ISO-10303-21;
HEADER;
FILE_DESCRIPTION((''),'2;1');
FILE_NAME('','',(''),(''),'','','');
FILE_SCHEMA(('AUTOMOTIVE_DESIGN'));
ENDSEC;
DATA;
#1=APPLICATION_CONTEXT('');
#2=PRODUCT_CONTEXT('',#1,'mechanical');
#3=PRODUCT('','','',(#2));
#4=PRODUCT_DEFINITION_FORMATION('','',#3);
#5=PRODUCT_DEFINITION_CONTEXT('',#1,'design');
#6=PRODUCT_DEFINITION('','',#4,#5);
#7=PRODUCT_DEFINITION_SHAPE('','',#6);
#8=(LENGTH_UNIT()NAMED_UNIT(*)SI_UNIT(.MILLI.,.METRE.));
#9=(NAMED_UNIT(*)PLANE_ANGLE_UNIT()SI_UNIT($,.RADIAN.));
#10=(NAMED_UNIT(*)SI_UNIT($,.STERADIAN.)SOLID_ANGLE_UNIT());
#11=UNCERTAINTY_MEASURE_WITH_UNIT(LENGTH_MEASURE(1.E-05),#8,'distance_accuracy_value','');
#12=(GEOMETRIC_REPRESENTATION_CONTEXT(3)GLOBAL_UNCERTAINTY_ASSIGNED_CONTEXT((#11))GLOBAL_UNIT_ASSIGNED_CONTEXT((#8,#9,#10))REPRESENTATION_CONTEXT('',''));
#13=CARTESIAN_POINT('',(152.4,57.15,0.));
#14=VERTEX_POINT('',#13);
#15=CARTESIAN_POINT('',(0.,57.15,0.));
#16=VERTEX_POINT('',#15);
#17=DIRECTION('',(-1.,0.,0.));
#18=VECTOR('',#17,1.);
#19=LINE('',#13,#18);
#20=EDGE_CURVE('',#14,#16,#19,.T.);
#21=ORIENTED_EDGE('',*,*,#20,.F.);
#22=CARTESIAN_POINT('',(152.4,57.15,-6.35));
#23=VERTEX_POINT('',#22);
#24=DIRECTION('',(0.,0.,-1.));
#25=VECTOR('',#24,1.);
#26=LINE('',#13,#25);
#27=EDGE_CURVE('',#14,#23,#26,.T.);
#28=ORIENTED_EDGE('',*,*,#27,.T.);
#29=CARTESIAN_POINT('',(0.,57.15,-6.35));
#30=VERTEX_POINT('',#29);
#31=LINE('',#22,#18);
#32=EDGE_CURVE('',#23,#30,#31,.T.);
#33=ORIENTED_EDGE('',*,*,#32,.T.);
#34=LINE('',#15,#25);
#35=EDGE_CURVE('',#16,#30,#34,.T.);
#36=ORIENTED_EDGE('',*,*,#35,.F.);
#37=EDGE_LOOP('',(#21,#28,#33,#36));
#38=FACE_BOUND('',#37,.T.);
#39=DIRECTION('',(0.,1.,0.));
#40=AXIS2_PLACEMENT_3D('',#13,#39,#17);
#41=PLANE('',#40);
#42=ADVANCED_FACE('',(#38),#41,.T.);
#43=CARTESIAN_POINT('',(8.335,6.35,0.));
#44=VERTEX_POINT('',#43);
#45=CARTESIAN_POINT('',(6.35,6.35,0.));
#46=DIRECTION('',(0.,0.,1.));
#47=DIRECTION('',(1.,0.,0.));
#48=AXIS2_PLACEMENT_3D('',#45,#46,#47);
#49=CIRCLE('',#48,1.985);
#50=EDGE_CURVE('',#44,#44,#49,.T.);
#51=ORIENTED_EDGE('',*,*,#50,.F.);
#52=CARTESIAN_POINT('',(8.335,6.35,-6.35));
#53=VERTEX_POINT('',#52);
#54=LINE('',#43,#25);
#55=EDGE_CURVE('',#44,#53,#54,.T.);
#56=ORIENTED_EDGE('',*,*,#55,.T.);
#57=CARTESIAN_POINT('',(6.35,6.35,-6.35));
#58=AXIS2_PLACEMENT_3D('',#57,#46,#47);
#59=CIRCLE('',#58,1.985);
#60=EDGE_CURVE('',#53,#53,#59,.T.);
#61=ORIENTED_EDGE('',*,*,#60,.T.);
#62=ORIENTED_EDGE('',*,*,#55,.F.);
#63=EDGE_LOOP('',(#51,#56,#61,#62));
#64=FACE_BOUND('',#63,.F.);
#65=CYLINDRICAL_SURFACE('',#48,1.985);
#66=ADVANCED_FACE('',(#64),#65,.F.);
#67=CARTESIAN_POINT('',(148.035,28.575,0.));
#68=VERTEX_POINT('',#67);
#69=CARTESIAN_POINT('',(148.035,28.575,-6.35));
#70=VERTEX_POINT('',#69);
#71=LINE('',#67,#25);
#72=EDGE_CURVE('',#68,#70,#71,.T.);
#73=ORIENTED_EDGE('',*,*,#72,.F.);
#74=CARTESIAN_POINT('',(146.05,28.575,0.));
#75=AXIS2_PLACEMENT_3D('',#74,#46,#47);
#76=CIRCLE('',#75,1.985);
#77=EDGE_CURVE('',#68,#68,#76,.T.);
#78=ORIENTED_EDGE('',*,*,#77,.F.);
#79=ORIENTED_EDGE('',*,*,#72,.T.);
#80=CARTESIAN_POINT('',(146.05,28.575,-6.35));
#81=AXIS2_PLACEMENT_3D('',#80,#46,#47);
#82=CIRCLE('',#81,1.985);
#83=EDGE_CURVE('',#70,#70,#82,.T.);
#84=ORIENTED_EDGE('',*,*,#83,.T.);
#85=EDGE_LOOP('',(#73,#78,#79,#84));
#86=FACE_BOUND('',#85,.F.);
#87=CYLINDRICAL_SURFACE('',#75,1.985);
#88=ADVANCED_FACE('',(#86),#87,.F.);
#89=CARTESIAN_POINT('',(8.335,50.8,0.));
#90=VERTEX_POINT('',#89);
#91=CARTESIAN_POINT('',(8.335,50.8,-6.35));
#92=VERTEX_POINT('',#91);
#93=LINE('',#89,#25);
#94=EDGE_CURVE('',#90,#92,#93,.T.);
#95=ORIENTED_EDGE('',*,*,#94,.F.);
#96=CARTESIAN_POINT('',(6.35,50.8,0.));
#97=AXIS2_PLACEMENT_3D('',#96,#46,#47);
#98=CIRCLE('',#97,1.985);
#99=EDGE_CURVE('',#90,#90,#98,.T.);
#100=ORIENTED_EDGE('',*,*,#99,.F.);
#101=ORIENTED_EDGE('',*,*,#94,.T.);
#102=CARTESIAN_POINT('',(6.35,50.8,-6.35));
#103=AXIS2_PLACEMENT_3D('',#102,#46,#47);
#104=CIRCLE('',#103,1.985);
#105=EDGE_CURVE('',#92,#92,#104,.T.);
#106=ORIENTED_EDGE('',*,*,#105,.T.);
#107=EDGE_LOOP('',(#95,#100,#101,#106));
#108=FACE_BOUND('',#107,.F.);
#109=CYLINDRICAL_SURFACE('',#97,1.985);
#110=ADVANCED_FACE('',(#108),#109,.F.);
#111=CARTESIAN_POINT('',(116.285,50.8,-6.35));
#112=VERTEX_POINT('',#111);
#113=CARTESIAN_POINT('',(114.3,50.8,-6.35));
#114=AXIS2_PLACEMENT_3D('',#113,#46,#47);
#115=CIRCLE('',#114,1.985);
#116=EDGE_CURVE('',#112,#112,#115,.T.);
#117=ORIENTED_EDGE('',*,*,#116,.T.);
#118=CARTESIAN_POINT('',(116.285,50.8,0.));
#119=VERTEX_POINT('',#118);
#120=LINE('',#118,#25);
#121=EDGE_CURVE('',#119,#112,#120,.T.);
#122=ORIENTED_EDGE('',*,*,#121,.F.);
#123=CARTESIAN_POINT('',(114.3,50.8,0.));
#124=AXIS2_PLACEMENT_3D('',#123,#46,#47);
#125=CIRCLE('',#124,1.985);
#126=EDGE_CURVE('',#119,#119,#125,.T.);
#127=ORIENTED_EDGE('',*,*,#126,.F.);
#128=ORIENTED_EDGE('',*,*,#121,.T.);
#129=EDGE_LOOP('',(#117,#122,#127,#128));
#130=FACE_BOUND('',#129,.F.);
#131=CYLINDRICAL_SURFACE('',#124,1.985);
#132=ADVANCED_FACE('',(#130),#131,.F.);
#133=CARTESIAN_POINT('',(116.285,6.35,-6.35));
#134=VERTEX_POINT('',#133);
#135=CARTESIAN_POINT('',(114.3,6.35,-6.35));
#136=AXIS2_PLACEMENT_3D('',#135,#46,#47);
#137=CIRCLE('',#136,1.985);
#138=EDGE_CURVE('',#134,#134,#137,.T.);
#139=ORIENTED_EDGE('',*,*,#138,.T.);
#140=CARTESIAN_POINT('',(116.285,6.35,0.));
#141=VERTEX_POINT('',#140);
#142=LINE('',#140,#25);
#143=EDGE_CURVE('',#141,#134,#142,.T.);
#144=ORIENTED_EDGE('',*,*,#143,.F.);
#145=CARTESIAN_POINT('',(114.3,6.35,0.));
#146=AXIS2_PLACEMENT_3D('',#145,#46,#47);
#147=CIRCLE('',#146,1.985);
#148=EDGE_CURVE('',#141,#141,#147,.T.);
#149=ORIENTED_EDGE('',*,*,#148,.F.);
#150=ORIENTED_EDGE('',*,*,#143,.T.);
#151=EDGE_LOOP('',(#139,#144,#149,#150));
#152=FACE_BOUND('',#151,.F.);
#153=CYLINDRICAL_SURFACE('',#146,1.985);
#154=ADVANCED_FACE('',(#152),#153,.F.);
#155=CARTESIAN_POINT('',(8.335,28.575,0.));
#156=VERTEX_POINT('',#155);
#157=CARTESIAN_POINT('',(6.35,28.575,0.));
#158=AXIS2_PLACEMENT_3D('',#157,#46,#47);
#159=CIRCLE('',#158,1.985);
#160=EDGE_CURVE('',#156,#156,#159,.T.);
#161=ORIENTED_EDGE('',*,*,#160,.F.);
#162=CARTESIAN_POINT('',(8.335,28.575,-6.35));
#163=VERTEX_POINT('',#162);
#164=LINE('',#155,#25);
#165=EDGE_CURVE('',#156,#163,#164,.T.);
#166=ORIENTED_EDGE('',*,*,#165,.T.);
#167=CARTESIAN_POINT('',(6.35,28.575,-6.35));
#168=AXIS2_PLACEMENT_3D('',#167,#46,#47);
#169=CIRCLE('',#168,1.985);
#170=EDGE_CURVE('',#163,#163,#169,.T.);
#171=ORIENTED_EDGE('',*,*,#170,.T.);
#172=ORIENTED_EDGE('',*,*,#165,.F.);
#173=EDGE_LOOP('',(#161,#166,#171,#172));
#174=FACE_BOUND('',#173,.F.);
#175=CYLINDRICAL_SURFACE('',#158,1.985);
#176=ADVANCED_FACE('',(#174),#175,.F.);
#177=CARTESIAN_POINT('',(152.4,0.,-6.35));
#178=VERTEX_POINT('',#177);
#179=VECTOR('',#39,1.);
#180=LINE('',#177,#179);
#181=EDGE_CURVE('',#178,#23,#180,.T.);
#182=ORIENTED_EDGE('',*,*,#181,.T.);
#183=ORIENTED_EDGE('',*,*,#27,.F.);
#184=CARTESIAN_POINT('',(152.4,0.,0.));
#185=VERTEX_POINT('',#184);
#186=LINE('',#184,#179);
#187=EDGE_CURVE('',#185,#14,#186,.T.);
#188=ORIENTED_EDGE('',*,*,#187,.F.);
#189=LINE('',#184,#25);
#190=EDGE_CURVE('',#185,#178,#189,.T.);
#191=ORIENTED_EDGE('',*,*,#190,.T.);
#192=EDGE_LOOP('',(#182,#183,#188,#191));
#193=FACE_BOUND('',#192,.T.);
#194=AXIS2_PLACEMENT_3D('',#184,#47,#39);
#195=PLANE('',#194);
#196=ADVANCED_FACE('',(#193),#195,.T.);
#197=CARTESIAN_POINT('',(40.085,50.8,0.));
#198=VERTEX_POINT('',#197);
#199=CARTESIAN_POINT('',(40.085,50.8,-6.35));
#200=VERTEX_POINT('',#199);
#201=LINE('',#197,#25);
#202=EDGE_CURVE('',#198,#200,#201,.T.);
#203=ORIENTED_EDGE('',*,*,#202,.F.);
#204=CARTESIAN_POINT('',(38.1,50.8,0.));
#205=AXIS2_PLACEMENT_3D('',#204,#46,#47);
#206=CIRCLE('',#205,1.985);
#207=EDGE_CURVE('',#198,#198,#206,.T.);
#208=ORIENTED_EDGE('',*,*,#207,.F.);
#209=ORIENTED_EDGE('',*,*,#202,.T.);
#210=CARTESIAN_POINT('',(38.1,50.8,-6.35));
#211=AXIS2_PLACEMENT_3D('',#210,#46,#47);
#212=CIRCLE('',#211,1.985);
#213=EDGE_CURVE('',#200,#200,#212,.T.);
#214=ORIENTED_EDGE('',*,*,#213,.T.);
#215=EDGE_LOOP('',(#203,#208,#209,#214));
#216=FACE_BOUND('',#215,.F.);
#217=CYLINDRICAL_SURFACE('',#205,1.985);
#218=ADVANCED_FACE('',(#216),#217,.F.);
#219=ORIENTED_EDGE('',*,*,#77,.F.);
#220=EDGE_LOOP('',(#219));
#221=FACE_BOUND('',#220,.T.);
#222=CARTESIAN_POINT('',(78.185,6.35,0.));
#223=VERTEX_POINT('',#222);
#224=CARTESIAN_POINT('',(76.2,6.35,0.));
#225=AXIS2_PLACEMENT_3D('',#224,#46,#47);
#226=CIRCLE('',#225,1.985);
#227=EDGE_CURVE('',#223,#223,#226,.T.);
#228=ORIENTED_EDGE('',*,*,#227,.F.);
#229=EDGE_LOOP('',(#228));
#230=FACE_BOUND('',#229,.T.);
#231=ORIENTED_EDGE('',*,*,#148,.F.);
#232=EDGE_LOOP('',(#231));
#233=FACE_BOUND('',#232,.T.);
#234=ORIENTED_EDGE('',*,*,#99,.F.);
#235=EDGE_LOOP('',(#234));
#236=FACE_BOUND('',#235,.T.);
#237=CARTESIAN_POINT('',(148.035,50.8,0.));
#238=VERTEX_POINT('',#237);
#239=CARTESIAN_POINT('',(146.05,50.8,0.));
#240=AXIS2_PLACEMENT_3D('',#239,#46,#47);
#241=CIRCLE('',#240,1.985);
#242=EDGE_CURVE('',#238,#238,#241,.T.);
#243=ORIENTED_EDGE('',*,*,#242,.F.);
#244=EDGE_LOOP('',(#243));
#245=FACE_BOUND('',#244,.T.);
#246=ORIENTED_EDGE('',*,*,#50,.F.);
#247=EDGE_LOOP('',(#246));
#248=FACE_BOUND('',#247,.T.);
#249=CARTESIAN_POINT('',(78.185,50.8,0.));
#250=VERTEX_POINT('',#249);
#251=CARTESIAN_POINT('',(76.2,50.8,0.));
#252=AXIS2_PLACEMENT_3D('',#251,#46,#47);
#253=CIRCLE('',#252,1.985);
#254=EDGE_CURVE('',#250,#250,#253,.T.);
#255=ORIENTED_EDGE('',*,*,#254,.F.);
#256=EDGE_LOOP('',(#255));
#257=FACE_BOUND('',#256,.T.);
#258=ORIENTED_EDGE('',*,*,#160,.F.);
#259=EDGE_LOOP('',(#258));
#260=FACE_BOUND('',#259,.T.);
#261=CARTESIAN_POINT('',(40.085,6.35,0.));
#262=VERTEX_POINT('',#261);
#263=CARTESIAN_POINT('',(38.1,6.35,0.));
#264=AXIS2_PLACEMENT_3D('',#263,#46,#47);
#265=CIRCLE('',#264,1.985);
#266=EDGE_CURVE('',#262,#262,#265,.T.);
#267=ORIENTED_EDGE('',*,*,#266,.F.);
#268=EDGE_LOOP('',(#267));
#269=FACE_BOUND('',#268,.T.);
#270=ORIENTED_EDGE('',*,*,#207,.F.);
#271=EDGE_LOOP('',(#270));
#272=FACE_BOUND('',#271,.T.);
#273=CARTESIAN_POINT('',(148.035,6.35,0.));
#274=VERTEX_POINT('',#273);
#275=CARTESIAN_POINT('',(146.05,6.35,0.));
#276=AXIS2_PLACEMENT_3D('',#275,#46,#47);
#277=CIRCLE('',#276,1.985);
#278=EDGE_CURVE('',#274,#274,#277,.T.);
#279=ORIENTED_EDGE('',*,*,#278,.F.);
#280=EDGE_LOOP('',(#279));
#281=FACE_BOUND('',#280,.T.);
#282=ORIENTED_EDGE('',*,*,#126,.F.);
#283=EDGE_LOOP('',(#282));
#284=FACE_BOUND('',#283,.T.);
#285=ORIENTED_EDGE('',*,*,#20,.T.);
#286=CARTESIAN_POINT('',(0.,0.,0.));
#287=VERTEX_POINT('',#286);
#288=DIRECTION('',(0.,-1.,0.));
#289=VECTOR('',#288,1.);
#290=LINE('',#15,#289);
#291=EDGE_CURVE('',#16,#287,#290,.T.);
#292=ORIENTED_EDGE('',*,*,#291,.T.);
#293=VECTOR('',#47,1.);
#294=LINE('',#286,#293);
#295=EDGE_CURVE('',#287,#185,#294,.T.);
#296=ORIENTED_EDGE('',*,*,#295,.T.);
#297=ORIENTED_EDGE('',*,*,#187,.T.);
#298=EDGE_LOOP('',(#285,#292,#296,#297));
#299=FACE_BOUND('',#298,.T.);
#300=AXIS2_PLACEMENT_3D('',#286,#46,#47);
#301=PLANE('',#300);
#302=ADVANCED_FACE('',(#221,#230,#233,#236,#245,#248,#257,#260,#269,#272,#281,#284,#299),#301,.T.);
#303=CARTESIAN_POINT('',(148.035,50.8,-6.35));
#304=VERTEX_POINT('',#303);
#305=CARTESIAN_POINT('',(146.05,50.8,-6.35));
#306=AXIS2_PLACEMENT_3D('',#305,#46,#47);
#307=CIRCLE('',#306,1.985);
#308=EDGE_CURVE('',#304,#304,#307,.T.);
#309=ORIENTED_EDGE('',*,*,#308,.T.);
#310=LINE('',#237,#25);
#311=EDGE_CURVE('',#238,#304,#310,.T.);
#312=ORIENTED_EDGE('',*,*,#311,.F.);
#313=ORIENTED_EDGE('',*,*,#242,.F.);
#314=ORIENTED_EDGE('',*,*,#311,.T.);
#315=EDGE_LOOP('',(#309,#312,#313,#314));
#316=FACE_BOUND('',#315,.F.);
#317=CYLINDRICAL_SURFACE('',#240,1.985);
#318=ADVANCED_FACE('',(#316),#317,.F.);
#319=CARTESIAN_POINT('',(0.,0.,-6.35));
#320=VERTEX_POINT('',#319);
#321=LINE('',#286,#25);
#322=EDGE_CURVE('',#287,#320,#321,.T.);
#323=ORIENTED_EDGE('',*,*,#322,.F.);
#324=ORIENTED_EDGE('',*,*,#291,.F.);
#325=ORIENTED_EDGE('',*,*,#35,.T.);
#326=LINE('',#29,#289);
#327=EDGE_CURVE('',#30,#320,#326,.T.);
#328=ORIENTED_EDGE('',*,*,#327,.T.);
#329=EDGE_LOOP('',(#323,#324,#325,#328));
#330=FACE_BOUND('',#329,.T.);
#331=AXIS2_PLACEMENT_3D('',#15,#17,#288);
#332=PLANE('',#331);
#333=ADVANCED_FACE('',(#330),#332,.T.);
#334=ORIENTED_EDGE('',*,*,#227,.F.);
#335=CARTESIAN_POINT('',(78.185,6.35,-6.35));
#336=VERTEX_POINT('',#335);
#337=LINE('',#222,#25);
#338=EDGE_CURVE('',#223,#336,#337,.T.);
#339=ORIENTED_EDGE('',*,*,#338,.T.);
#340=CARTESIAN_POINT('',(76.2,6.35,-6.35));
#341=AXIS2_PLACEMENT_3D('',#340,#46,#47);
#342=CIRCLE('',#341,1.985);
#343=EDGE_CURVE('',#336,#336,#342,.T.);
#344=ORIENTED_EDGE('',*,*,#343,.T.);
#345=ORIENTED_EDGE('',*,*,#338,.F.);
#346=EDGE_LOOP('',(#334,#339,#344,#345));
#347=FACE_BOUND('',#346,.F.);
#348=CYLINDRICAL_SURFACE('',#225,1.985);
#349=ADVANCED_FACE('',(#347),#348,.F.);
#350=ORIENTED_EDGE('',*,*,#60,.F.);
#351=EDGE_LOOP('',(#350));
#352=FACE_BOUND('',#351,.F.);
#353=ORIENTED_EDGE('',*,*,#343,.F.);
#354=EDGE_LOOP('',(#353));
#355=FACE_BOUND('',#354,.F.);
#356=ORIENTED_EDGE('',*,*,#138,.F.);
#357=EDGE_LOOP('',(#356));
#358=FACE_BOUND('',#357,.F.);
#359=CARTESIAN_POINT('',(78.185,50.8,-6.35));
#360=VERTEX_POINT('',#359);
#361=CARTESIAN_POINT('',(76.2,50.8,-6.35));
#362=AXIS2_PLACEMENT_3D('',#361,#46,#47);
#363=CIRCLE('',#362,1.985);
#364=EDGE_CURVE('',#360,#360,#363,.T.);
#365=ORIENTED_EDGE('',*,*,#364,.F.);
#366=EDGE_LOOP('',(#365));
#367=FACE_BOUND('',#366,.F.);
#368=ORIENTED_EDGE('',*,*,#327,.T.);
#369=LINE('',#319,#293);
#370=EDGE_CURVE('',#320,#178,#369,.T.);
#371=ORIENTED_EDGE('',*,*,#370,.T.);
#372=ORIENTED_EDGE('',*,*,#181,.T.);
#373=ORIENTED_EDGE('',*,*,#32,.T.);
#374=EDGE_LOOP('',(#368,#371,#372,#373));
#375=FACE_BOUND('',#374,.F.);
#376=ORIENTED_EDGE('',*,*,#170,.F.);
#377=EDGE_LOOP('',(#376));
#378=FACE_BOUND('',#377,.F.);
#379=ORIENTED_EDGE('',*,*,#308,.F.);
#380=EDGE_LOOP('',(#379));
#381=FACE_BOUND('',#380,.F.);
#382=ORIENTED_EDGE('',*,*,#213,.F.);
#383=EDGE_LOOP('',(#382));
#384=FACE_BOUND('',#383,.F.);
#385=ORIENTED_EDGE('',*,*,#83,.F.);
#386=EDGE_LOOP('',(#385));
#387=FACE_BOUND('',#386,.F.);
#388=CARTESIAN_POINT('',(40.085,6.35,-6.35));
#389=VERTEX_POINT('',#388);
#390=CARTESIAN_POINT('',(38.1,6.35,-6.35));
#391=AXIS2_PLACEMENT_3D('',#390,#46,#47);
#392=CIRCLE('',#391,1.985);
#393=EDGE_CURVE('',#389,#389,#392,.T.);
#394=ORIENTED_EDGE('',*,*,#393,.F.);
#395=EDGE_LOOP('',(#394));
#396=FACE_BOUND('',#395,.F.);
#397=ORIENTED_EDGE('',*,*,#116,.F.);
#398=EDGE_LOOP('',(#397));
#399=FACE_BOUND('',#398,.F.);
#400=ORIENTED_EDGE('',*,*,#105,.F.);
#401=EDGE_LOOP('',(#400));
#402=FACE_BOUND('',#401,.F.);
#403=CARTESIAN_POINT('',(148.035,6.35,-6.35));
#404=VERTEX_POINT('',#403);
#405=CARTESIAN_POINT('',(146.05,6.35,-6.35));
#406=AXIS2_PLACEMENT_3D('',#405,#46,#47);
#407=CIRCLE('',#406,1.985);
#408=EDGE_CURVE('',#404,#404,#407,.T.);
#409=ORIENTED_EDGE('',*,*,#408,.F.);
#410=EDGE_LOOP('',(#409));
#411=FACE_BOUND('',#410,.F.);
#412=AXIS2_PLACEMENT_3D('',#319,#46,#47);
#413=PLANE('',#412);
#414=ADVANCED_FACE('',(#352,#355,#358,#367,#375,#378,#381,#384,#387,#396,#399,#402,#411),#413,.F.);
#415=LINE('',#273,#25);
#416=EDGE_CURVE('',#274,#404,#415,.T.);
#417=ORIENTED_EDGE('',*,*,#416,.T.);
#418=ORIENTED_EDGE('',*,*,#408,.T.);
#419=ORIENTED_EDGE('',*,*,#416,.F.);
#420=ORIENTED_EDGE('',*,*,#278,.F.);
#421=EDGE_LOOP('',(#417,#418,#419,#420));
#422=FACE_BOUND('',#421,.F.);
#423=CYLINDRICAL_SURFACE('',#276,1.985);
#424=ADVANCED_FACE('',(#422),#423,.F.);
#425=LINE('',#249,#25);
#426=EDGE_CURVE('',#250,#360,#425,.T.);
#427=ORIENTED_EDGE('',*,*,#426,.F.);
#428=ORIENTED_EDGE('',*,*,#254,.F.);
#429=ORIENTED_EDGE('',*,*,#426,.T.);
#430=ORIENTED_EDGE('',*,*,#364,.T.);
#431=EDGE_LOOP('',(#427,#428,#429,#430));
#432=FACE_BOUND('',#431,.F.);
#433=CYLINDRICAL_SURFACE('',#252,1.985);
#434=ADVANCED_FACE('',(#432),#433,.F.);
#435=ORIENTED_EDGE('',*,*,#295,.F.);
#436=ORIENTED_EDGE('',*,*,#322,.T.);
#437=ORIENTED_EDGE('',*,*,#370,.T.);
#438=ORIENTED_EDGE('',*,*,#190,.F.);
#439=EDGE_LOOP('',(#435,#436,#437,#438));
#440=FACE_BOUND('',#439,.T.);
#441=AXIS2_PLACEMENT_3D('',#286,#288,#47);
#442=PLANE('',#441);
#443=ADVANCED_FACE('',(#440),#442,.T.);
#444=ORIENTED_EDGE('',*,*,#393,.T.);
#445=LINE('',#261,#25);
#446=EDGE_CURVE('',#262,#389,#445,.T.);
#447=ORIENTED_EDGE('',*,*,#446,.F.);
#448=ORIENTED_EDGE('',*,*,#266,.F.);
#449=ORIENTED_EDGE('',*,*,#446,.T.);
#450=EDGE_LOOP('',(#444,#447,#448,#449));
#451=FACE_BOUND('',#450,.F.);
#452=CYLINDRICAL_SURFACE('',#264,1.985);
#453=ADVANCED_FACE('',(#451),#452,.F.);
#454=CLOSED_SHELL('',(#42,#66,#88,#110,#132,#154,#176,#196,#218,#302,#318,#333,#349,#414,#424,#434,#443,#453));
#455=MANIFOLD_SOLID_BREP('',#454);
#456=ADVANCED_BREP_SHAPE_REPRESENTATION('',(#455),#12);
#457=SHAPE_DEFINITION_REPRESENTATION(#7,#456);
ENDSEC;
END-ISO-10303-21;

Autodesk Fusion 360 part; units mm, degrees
sketch "Sketch1" plane through (0, 0, 0) normal (0, 0, 1) x (1, 0, 0)
  line L0 (0, 0) -> (152.4, 0)
  line L1 (152.4, 0) -> (152.4, 57.15)
  line L2 (152.4, 57.15) -> (0, 57.15)
  line L3 (0, 57.15) -> (0, 0)
  circle A0 centre (6.35, 6.35) radius 1.985
  circle A1 centre (146.05, 6.35) radius 1.985
  circle A2 centre (6.35, 50.8) radius 1.985
  circle A3 centre (146.05, 50.8) radius 1.985
  circle A4 centre (6.35, 6.35) radius 1.985
  circle A5 centre (6.35, 28.575) radius 1.985
  circle A6 centre (146.05, 28.575) radius 1.985
  circle A7 centre (76.2, 6.35) radius 1.985
  circle A8 centre (38.1, 6.35) radius 1.985
  circle A9 centre (114.3, 6.35) radius 1.985
  circle A10 centre (38.1, 50.8) radius 1.985
  circle A11 centre (76.2, 50.8) radius 1.985
  circle A12 centre (114.3, 50.8) radius 1.985
  point P0 (6.35, 6.35)
  dimension "d1" = 57.15
  dimension "d2" = 152.4
  dimension "d3" = 3.97
  dimension "d4" = 3.97
  dimension "d5" = 3.97
  dimension "d6" = 3.97
  dimension "d10" = 3.97
  dimension "d11" = 3.97
  dimension "d12" = 3.97
  dimension "d13" = 3.97
  dimension "d14" = 3.97
  dimension "d15" = 3.97
  dimension "d16" = 3.97
  dimension "d17" = 3.97
  dimension "d18" = 3.97
extrude "Extrude1" add sketch "Sketch1" against normal blind 6.35
